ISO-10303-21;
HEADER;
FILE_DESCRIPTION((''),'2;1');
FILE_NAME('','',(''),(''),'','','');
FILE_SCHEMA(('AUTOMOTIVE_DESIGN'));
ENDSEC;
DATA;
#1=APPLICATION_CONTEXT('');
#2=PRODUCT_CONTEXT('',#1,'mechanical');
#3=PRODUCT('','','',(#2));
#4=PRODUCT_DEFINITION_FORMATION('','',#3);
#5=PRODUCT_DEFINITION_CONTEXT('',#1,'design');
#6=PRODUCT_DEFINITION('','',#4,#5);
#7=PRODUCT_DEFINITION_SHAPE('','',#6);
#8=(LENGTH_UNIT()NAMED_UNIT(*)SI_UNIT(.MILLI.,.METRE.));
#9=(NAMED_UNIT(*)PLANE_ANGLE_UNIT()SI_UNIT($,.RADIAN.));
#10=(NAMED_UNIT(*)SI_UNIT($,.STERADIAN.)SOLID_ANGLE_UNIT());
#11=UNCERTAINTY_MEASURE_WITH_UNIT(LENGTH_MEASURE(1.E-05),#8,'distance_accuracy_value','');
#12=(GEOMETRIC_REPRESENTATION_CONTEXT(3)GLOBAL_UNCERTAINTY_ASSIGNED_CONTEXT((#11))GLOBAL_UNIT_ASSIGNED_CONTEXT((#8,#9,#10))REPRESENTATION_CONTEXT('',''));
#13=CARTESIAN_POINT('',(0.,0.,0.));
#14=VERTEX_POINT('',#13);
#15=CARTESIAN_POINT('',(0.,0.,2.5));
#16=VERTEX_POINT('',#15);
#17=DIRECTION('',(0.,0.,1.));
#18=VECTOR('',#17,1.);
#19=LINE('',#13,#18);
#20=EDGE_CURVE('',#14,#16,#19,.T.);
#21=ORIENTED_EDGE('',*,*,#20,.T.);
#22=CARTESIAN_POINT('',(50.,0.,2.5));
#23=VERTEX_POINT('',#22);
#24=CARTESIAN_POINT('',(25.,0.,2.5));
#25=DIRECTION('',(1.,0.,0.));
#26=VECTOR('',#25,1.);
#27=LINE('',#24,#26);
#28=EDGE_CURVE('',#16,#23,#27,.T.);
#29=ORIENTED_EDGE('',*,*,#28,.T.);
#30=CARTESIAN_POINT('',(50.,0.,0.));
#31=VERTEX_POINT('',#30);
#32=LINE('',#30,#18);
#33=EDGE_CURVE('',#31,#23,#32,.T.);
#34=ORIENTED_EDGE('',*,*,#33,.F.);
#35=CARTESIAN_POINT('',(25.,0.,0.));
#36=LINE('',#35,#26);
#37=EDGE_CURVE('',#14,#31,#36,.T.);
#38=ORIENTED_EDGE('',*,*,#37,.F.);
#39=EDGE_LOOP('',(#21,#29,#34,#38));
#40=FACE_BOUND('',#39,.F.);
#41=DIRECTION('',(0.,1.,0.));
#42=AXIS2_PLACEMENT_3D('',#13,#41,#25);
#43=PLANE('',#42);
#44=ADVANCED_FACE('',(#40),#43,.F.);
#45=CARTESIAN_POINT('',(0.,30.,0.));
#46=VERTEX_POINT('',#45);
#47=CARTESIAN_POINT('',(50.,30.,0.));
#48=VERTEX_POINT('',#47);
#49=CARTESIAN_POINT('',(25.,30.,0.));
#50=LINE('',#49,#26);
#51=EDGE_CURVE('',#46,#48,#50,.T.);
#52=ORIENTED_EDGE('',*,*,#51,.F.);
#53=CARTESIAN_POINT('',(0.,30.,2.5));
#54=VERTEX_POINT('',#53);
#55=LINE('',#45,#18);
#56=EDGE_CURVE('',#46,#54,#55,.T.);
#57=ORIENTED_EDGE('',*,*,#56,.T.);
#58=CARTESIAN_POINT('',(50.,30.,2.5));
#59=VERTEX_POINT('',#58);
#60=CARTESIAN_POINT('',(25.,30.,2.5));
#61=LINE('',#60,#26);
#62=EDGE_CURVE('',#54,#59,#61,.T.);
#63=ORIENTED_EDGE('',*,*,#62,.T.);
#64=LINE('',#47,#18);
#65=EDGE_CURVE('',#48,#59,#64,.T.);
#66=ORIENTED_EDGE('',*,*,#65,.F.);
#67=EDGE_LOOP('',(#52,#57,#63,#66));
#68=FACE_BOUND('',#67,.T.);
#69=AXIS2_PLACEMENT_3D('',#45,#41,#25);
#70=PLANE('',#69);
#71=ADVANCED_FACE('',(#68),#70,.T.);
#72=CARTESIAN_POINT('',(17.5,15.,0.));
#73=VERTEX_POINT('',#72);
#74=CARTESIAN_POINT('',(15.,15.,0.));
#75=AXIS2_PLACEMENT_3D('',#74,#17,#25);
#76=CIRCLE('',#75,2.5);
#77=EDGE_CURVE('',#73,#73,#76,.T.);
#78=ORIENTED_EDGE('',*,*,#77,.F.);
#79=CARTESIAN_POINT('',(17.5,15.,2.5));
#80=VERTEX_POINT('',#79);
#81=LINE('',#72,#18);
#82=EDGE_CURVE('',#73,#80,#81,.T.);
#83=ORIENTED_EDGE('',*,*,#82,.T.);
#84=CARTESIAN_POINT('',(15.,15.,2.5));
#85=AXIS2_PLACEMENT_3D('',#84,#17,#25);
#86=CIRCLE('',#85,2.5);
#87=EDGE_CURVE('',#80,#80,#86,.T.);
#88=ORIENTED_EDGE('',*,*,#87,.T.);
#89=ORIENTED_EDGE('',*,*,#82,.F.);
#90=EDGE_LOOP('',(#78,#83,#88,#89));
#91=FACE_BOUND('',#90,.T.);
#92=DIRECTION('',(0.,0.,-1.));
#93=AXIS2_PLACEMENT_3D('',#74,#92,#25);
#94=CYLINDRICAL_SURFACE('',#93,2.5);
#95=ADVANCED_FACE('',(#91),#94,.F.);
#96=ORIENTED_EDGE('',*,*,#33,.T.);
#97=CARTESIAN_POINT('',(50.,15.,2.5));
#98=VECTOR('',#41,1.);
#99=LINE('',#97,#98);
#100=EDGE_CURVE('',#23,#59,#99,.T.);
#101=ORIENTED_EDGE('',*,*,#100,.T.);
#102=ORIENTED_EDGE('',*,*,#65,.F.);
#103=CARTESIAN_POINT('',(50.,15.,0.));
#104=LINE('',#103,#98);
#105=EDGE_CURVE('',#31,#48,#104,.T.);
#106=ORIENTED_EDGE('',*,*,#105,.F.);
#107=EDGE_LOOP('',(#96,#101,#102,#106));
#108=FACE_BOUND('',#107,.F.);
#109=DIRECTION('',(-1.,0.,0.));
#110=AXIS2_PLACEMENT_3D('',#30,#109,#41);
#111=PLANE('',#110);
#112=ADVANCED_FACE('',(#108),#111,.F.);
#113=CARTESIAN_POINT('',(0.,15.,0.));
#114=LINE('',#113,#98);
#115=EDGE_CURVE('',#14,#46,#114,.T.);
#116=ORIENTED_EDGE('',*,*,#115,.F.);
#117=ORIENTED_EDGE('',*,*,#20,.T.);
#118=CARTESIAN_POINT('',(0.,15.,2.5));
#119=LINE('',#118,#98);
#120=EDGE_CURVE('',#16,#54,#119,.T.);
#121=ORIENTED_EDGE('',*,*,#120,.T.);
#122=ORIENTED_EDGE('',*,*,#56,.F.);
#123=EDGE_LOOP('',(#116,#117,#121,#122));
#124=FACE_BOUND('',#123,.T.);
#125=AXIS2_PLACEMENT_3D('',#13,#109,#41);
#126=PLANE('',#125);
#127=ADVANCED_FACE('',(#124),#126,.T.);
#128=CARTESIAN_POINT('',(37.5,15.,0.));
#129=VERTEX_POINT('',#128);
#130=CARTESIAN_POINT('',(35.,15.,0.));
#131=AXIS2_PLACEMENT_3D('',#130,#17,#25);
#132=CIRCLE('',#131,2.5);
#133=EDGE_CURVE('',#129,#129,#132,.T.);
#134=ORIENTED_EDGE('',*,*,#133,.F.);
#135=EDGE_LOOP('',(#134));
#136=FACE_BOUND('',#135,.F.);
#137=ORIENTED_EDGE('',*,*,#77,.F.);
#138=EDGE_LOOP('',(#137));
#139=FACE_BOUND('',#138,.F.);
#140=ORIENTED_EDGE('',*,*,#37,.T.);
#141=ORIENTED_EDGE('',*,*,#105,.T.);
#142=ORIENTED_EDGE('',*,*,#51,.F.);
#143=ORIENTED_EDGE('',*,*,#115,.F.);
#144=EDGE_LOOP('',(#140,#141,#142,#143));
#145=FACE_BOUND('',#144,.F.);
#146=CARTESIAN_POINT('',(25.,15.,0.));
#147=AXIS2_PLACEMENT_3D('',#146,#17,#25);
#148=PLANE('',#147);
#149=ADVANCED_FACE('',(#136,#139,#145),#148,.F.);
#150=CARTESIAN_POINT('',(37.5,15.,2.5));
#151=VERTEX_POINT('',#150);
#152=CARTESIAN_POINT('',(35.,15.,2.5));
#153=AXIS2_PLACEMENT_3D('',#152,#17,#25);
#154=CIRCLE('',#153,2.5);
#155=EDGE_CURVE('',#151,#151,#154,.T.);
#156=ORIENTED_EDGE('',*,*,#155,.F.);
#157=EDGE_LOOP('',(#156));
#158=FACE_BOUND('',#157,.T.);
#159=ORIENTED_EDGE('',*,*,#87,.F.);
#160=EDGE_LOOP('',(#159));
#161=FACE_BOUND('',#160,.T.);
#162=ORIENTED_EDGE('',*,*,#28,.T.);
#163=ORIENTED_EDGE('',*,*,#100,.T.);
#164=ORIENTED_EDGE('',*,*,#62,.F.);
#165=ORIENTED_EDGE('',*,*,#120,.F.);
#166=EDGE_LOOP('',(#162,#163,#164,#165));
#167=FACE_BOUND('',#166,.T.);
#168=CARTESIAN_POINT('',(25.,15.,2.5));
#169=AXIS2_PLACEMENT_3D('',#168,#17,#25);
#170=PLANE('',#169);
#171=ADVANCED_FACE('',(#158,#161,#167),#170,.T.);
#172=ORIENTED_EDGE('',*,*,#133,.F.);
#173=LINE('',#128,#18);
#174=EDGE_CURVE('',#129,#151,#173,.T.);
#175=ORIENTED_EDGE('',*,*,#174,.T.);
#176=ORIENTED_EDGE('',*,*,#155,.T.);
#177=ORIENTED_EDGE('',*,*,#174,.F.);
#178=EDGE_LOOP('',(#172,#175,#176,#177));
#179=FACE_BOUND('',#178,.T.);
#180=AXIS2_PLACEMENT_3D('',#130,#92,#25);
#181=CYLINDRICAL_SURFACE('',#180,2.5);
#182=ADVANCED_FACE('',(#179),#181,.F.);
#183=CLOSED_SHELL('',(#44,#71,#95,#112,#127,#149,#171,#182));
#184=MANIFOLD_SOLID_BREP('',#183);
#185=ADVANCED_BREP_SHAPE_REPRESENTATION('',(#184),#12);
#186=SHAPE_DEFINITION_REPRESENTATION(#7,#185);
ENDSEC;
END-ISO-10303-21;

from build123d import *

# Parameters (mm, degrees)
SKETCH_W  = 50
SKETCH_H  = 30
SKETCH_R  = 2.5
PAD_DEPTH = 2.5


with BuildPart() as part:
    # Sketch → Pad (new body)
    with BuildSketch(Plane.XY):
        with Locations((25, 15)):
            Rectangle(SKETCH_W, SKETCH_H)
        with Locations((15, 15)):
            Circle(SKETCH_R, mode=Mode.SUBTRACT)
        with Locations((35, 15)):
            Circle(SKETCH_R, mode=Mode.SUBTRACT)
    extrude(amount=PAD_DEPTH)


solid = part.part
